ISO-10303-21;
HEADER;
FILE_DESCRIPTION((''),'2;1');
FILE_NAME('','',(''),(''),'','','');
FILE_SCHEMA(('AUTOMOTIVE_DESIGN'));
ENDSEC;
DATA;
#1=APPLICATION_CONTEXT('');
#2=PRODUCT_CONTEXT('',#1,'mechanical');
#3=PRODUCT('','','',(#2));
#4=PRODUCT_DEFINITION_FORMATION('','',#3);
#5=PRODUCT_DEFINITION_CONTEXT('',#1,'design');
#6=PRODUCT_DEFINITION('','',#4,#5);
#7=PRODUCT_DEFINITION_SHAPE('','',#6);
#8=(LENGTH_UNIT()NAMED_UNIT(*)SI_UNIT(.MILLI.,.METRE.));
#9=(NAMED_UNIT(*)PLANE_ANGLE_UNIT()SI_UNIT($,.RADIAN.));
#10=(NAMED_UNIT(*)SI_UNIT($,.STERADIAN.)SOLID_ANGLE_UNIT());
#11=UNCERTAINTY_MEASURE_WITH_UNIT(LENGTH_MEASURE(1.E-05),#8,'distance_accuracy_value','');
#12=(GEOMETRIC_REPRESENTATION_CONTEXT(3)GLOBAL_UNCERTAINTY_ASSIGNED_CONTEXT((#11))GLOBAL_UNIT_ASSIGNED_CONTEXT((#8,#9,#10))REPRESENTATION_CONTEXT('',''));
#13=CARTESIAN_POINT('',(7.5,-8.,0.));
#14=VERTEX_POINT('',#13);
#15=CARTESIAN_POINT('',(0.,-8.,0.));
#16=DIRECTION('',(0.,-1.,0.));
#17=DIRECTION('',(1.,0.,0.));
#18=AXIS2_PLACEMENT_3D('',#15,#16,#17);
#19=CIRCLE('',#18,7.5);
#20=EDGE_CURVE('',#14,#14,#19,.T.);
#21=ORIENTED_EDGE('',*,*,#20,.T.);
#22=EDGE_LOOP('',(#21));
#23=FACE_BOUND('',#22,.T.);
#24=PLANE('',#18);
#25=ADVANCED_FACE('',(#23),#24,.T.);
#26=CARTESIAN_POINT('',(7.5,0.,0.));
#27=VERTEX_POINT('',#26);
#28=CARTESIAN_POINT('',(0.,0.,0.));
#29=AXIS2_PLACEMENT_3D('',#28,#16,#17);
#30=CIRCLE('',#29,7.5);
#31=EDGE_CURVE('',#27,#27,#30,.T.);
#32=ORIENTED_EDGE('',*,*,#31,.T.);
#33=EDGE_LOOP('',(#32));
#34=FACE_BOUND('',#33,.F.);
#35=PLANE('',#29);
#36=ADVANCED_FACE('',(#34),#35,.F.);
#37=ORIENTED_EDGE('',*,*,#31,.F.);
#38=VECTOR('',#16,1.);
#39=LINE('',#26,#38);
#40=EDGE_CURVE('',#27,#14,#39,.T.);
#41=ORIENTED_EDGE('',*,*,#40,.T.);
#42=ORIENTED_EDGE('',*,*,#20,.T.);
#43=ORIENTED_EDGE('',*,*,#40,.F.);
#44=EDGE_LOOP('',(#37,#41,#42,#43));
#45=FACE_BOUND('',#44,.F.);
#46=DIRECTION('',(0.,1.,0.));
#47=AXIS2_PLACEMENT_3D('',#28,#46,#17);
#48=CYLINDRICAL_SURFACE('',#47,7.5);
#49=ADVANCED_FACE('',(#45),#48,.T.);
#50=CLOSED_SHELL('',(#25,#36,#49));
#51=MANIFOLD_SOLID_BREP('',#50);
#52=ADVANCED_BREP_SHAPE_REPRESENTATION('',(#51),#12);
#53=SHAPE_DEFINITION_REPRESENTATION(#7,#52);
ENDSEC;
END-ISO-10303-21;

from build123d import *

# Parameters (mm, degrees)
SKETCH_R  = 7.5
PAD_DEPTH = 8


with BuildPart() as part:
    # Sketch → Pad (new body)
    with BuildSketch(Plane.XZ):
        Circle(SKETCH_R)
    extrude(amount=PAD_DEPTH)


solid = part.part
